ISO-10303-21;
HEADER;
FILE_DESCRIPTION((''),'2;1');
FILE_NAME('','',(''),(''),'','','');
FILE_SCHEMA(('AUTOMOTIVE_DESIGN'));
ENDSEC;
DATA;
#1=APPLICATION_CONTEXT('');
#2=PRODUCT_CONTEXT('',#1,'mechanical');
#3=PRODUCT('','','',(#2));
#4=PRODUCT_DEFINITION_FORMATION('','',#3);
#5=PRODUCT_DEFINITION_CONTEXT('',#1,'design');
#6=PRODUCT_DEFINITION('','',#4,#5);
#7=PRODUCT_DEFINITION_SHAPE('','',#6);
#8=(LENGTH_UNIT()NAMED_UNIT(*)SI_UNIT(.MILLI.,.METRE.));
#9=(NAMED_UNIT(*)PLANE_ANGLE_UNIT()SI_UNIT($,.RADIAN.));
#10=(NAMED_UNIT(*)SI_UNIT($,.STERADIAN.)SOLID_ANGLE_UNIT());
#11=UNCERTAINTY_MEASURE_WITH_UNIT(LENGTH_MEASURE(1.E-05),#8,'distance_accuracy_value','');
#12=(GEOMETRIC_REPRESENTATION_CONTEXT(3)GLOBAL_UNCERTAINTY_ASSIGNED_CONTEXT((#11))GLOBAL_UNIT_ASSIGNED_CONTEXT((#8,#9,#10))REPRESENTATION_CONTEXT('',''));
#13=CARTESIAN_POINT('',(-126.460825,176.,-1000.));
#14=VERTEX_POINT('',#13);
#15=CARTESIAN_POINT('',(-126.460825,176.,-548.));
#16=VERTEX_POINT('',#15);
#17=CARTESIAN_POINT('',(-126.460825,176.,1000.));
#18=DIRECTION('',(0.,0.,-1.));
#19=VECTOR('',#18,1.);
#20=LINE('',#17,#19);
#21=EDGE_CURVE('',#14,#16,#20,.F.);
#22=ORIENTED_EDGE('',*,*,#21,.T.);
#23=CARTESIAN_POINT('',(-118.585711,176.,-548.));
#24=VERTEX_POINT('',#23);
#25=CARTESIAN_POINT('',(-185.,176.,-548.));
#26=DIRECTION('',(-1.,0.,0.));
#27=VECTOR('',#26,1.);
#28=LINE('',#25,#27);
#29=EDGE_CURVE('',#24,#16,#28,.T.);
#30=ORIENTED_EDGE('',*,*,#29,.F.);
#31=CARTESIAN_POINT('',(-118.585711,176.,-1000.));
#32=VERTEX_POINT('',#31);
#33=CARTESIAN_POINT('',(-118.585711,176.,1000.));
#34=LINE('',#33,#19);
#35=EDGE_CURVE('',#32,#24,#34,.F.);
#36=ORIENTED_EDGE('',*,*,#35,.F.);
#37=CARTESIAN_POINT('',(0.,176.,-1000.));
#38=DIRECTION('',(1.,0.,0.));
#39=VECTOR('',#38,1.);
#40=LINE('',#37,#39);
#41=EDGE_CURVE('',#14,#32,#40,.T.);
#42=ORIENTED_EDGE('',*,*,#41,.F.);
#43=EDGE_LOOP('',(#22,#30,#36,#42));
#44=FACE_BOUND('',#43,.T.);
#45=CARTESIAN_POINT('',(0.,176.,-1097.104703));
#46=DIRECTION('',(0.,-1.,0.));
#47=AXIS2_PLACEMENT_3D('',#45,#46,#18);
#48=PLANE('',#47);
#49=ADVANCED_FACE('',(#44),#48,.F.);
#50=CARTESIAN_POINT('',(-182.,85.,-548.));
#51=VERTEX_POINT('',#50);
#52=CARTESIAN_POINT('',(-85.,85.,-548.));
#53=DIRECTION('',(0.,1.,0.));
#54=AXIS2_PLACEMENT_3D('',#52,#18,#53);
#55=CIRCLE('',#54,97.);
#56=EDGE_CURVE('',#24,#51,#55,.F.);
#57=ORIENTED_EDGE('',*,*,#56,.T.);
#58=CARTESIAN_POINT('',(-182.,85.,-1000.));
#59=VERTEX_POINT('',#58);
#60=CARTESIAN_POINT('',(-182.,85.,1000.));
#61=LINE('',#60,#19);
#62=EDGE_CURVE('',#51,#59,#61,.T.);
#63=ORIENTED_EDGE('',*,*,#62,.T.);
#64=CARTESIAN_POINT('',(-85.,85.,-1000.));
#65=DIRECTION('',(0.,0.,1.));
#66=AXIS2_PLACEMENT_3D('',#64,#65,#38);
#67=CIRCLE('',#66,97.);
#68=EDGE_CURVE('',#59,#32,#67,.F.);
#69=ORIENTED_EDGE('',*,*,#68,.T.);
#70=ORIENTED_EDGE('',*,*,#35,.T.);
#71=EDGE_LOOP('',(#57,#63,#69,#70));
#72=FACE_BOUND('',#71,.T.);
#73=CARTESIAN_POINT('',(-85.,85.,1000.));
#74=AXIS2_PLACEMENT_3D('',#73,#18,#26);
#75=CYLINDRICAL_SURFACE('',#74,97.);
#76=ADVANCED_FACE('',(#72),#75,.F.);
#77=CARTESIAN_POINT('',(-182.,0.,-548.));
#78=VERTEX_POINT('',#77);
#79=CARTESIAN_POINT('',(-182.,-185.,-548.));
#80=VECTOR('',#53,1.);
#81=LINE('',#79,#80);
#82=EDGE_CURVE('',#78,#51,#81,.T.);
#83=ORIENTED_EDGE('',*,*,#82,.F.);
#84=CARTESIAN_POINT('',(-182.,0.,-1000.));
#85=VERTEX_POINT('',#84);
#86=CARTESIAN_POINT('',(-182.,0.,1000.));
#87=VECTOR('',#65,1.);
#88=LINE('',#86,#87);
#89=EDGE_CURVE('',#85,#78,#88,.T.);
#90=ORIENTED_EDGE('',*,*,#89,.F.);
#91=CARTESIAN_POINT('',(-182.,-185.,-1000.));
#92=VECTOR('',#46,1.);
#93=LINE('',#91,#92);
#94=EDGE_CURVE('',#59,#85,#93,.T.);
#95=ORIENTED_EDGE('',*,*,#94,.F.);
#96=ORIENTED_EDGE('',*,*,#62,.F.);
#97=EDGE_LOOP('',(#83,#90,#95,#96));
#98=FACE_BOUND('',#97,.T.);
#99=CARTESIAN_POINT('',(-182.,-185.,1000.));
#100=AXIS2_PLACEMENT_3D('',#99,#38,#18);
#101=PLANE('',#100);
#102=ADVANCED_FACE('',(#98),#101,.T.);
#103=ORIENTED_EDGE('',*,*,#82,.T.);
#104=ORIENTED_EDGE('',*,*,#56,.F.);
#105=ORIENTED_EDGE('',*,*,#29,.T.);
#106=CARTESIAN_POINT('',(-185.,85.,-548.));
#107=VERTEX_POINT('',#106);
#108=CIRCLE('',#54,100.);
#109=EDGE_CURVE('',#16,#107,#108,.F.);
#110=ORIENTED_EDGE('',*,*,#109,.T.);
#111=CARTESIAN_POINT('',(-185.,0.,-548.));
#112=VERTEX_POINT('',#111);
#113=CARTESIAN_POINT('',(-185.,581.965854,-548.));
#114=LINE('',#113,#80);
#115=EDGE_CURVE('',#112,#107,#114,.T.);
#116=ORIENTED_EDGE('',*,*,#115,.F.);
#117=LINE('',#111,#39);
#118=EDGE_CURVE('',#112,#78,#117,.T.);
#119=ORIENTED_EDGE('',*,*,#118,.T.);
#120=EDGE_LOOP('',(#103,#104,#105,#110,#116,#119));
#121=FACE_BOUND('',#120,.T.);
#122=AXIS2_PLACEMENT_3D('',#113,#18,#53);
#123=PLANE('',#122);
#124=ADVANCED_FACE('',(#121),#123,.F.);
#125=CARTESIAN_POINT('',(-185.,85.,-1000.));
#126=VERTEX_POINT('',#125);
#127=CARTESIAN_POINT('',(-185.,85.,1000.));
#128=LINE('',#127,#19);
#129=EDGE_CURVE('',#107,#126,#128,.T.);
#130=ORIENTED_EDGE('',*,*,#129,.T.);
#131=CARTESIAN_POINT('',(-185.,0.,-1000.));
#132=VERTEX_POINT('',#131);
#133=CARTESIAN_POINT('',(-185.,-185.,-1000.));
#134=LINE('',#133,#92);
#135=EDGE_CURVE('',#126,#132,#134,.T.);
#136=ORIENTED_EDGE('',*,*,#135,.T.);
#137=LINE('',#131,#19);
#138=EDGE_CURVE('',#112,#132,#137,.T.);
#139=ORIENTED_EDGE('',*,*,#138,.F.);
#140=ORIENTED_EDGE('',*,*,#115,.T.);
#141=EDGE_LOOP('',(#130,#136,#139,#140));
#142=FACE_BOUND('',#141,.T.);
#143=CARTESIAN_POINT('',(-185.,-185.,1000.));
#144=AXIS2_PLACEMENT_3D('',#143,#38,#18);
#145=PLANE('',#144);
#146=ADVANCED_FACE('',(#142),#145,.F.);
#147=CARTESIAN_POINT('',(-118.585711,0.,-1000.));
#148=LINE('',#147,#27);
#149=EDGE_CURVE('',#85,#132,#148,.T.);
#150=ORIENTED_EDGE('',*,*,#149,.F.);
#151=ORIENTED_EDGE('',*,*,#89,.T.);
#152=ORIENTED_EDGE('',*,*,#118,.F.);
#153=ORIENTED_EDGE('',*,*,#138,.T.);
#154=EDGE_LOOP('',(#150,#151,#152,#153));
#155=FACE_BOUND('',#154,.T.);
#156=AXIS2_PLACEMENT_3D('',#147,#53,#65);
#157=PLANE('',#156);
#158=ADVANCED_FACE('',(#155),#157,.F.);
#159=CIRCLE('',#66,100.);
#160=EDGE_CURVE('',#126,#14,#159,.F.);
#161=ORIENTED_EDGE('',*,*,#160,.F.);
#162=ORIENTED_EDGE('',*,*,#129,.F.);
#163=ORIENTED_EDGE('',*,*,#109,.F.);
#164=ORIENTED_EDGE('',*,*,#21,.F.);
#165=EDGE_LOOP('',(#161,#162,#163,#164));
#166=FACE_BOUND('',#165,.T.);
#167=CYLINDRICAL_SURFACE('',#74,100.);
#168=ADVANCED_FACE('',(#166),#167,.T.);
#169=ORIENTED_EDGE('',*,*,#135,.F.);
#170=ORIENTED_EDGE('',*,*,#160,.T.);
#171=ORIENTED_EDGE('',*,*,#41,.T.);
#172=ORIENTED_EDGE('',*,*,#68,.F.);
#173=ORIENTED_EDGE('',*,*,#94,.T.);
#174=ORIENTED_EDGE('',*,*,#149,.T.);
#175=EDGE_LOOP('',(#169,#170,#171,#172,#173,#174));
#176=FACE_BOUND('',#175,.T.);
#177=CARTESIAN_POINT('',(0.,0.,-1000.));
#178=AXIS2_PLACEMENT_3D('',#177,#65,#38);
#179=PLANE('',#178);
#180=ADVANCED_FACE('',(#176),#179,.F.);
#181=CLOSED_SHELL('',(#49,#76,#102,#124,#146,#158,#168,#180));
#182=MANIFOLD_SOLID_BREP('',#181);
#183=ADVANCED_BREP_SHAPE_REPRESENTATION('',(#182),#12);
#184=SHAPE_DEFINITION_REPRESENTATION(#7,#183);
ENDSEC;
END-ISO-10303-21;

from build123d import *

# Parameters (mm, degrees)
SKETCH1_W               = 370
SKETCH1_H               = 370
BOSS_EXTRUDE1_DEPTH     = 1000
FILLET1_R               = 100
SHELL1_T                = -3
SKETCH2_W               = 241.73479806
SKETCH2_H               = 394.761154712
CUT_EXTRUDE1_DEPTH      = 2018.039910364
CUT_EXTRUDE2_DEPTH      = 1034.125839383
CUT_EXTRUDE2_DEPTH_BACK = 1034.125839383
SKETCH3_W               = 1896.128472869
SKETCH3_H               = 1300.286243779
SKETCH5_W               = 669.384629734
SKETCH5_H               = 44.432040192
SKETCH5_H_2             = 62.844566938
CUT_EXTRUDE4_DEPTH      = 1034.658550973
SKETCH4_W               = 536.60110681
SKETCH4_H               = 206.247567531
CUT_EXTRUDE5_DEPTH      = 1018.539609917


with BuildPart() as part:
    # Sketch1 → Boss-Extrude1 (new, symmetric)
    with BuildSketch(Plane.XY):
        Rectangle(SKETCH1_W, SKETCH1_H)
    extrude(amount=BOSS_EXTRUDE1_DEPTH, both=True)

    # Fillet1
    fillet1_edges = [part.edges().sort_by_distance(p)[0] for p in [
        (-185, 185, 0),
        (185, 185, 0),
        (185, -185, 0),
        (-185, -185, 0),
    ]]
    fillet(fillet1_edges, radius=FILLET1_R)

    # Shell1
    shell1_openings = [part.faces().sort_by_distance(p)[0] for p in [
        (0, 0, -1000),
    ]]
    offset(amount=SHELL1_T, openings=shell1_openings, kind=Kind.INTERSECTION)

    # Sketch2 → Cut-Extrude1 (cut, through all)
    with BuildSketch(Plane.XY.offset(1000)):
        with Locations((120.86739903, -12.380577356)):
            Rectangle(SKETCH2_W, SKETCH2_H)
    extrude(amount=-CUT_EXTRUDE1_DEPTH, mode=Mode.SUBTRACT)

    # Sketch3 → Cut-Extrude2 (cut, two sides: drawn at the far end of the back side and taken through both)
    with BuildSketch(Plane(origin=(-182, 0, 0), x_dir=(0, 0, -1), z_dir=(1, 0, 0)).offset(-CUT_EXTRUDE2_DEPTH_BACK)):
        with Locations((-400.064236435, -68.17726838)):
            Rectangle(SKETCH3_W, SKETCH3_H)
    extrude(amount=CUT_EXTRUDE2_DEPTH + CUT_EXTRUDE2_DEPTH_BACK, mode=Mode.SUBTRACT)

    # Sketch5 → Cut-Extrude4 (cut, through all)
    with BuildSketch(Plane.ZY.offset(185)):
        with Locations((-762.41238843, 198.216020096)):
            Rectangle(SKETCH5_W, SKETCH5_H)
        with Locations((-762.41238843, -207.422283469)):
            Rectangle(SKETCH5_W, SKETCH5_H_2)
    extrude(amount=-CUT_EXTRUDE4_DEPTH, mode=Mode.SUBTRACT)

    # Sketch4 → Cut-Extrude5 (cut, through all)
    with BuildSketch(Plane.ZY.offset(185)):
        with Locations((-731.699446595, -103.123783766)):
            Rectangle(SKETCH4_W, SKETCH4_H)
    extrude(amount=-CUT_EXTRUDE5_DEPTH, mode=Mode.SUBTRACT)


solid = part.part
